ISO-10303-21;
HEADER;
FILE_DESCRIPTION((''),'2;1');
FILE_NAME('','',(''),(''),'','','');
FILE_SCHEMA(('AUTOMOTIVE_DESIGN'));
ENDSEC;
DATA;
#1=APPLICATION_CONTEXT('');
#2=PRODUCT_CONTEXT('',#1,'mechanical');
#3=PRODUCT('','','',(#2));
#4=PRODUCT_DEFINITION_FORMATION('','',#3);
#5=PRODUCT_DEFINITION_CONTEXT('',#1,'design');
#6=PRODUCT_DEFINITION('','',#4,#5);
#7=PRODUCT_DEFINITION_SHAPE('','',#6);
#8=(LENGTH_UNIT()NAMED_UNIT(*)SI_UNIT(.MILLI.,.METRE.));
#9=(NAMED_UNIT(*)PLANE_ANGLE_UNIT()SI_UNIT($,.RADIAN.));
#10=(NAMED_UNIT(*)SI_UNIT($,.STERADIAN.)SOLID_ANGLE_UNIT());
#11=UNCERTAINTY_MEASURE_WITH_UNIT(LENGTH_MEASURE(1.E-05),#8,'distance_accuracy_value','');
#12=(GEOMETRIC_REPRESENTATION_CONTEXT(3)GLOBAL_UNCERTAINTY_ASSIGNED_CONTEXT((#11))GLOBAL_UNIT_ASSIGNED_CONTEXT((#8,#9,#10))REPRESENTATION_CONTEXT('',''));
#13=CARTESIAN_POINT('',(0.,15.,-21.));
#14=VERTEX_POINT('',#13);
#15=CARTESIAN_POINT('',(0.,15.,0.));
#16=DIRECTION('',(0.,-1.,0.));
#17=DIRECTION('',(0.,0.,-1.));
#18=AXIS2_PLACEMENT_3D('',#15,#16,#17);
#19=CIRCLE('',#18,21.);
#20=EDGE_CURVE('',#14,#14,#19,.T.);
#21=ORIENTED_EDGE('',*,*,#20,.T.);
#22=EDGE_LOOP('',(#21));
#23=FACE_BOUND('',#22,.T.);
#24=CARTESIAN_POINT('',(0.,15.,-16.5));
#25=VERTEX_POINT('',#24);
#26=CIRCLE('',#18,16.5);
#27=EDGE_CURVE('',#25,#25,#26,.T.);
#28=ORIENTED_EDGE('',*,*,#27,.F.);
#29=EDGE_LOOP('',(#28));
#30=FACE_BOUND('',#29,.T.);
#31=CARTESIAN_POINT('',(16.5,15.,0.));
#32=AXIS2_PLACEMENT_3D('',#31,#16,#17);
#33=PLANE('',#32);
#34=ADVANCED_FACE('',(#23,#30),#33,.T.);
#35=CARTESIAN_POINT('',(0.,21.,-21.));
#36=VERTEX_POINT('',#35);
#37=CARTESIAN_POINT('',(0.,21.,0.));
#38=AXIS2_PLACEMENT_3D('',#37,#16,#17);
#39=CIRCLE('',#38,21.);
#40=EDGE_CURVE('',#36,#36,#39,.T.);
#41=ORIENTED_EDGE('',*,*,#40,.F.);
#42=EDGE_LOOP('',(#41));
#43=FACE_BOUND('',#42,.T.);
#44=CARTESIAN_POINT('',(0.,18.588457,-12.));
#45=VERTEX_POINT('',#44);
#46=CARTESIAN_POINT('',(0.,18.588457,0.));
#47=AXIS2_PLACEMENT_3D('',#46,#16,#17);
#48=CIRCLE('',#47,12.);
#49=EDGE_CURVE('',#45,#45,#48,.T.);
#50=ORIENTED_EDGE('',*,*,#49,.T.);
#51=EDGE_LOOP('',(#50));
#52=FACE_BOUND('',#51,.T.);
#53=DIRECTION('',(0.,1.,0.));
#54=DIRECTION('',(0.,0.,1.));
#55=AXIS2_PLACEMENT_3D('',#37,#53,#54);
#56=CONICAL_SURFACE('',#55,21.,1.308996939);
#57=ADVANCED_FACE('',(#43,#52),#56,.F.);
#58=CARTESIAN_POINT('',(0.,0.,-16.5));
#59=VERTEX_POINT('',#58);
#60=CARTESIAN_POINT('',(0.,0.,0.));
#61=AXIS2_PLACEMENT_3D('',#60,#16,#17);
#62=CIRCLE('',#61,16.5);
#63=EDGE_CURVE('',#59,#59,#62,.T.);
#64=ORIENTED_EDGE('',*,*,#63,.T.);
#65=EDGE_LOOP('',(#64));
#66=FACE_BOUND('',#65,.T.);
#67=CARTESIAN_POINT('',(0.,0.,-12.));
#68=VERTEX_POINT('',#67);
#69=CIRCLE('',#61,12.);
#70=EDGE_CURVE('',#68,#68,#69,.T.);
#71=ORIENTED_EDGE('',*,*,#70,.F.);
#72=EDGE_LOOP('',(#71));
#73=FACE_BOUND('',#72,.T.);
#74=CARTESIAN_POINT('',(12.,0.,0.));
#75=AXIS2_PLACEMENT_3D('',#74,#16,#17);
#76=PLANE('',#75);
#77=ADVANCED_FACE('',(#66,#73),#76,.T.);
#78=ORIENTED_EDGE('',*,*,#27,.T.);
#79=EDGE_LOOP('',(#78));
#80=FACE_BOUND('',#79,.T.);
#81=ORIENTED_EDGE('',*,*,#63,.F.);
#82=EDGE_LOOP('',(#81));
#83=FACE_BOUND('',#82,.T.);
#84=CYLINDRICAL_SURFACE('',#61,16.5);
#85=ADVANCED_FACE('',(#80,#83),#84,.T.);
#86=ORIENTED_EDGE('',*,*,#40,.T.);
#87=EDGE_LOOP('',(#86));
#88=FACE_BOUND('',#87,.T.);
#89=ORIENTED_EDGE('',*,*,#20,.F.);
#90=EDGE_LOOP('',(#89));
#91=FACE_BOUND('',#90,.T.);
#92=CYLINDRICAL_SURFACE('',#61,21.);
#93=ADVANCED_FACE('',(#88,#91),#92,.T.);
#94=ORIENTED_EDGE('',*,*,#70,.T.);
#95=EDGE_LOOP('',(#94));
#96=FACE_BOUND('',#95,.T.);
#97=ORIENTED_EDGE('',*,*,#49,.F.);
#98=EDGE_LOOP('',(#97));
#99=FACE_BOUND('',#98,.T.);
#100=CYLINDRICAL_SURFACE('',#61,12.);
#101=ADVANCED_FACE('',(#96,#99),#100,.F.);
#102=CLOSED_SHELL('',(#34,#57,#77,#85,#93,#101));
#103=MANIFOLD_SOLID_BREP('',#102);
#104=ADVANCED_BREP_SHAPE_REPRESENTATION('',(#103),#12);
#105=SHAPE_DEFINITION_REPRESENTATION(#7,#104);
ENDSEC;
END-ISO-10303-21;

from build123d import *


with BuildPart() as part:
    # Sketch2 → Revolve1 (revolve)
    with BuildSketch(Plane.XY, mode=Mode.PRIVATE) as revolve1_sk:
        Polygon((12, 0), (16.5, 0), (16.5, 15), (21, 15), (21, 21), (12, 18.588457268), align=None)
    revolve(revolve1_sk.sketch.rotate(Axis((0, 0, 0), (0, 1, 0)), 90), axis=Axis((0, 0, 0), (0, 1, 0)))


solid = part.part
